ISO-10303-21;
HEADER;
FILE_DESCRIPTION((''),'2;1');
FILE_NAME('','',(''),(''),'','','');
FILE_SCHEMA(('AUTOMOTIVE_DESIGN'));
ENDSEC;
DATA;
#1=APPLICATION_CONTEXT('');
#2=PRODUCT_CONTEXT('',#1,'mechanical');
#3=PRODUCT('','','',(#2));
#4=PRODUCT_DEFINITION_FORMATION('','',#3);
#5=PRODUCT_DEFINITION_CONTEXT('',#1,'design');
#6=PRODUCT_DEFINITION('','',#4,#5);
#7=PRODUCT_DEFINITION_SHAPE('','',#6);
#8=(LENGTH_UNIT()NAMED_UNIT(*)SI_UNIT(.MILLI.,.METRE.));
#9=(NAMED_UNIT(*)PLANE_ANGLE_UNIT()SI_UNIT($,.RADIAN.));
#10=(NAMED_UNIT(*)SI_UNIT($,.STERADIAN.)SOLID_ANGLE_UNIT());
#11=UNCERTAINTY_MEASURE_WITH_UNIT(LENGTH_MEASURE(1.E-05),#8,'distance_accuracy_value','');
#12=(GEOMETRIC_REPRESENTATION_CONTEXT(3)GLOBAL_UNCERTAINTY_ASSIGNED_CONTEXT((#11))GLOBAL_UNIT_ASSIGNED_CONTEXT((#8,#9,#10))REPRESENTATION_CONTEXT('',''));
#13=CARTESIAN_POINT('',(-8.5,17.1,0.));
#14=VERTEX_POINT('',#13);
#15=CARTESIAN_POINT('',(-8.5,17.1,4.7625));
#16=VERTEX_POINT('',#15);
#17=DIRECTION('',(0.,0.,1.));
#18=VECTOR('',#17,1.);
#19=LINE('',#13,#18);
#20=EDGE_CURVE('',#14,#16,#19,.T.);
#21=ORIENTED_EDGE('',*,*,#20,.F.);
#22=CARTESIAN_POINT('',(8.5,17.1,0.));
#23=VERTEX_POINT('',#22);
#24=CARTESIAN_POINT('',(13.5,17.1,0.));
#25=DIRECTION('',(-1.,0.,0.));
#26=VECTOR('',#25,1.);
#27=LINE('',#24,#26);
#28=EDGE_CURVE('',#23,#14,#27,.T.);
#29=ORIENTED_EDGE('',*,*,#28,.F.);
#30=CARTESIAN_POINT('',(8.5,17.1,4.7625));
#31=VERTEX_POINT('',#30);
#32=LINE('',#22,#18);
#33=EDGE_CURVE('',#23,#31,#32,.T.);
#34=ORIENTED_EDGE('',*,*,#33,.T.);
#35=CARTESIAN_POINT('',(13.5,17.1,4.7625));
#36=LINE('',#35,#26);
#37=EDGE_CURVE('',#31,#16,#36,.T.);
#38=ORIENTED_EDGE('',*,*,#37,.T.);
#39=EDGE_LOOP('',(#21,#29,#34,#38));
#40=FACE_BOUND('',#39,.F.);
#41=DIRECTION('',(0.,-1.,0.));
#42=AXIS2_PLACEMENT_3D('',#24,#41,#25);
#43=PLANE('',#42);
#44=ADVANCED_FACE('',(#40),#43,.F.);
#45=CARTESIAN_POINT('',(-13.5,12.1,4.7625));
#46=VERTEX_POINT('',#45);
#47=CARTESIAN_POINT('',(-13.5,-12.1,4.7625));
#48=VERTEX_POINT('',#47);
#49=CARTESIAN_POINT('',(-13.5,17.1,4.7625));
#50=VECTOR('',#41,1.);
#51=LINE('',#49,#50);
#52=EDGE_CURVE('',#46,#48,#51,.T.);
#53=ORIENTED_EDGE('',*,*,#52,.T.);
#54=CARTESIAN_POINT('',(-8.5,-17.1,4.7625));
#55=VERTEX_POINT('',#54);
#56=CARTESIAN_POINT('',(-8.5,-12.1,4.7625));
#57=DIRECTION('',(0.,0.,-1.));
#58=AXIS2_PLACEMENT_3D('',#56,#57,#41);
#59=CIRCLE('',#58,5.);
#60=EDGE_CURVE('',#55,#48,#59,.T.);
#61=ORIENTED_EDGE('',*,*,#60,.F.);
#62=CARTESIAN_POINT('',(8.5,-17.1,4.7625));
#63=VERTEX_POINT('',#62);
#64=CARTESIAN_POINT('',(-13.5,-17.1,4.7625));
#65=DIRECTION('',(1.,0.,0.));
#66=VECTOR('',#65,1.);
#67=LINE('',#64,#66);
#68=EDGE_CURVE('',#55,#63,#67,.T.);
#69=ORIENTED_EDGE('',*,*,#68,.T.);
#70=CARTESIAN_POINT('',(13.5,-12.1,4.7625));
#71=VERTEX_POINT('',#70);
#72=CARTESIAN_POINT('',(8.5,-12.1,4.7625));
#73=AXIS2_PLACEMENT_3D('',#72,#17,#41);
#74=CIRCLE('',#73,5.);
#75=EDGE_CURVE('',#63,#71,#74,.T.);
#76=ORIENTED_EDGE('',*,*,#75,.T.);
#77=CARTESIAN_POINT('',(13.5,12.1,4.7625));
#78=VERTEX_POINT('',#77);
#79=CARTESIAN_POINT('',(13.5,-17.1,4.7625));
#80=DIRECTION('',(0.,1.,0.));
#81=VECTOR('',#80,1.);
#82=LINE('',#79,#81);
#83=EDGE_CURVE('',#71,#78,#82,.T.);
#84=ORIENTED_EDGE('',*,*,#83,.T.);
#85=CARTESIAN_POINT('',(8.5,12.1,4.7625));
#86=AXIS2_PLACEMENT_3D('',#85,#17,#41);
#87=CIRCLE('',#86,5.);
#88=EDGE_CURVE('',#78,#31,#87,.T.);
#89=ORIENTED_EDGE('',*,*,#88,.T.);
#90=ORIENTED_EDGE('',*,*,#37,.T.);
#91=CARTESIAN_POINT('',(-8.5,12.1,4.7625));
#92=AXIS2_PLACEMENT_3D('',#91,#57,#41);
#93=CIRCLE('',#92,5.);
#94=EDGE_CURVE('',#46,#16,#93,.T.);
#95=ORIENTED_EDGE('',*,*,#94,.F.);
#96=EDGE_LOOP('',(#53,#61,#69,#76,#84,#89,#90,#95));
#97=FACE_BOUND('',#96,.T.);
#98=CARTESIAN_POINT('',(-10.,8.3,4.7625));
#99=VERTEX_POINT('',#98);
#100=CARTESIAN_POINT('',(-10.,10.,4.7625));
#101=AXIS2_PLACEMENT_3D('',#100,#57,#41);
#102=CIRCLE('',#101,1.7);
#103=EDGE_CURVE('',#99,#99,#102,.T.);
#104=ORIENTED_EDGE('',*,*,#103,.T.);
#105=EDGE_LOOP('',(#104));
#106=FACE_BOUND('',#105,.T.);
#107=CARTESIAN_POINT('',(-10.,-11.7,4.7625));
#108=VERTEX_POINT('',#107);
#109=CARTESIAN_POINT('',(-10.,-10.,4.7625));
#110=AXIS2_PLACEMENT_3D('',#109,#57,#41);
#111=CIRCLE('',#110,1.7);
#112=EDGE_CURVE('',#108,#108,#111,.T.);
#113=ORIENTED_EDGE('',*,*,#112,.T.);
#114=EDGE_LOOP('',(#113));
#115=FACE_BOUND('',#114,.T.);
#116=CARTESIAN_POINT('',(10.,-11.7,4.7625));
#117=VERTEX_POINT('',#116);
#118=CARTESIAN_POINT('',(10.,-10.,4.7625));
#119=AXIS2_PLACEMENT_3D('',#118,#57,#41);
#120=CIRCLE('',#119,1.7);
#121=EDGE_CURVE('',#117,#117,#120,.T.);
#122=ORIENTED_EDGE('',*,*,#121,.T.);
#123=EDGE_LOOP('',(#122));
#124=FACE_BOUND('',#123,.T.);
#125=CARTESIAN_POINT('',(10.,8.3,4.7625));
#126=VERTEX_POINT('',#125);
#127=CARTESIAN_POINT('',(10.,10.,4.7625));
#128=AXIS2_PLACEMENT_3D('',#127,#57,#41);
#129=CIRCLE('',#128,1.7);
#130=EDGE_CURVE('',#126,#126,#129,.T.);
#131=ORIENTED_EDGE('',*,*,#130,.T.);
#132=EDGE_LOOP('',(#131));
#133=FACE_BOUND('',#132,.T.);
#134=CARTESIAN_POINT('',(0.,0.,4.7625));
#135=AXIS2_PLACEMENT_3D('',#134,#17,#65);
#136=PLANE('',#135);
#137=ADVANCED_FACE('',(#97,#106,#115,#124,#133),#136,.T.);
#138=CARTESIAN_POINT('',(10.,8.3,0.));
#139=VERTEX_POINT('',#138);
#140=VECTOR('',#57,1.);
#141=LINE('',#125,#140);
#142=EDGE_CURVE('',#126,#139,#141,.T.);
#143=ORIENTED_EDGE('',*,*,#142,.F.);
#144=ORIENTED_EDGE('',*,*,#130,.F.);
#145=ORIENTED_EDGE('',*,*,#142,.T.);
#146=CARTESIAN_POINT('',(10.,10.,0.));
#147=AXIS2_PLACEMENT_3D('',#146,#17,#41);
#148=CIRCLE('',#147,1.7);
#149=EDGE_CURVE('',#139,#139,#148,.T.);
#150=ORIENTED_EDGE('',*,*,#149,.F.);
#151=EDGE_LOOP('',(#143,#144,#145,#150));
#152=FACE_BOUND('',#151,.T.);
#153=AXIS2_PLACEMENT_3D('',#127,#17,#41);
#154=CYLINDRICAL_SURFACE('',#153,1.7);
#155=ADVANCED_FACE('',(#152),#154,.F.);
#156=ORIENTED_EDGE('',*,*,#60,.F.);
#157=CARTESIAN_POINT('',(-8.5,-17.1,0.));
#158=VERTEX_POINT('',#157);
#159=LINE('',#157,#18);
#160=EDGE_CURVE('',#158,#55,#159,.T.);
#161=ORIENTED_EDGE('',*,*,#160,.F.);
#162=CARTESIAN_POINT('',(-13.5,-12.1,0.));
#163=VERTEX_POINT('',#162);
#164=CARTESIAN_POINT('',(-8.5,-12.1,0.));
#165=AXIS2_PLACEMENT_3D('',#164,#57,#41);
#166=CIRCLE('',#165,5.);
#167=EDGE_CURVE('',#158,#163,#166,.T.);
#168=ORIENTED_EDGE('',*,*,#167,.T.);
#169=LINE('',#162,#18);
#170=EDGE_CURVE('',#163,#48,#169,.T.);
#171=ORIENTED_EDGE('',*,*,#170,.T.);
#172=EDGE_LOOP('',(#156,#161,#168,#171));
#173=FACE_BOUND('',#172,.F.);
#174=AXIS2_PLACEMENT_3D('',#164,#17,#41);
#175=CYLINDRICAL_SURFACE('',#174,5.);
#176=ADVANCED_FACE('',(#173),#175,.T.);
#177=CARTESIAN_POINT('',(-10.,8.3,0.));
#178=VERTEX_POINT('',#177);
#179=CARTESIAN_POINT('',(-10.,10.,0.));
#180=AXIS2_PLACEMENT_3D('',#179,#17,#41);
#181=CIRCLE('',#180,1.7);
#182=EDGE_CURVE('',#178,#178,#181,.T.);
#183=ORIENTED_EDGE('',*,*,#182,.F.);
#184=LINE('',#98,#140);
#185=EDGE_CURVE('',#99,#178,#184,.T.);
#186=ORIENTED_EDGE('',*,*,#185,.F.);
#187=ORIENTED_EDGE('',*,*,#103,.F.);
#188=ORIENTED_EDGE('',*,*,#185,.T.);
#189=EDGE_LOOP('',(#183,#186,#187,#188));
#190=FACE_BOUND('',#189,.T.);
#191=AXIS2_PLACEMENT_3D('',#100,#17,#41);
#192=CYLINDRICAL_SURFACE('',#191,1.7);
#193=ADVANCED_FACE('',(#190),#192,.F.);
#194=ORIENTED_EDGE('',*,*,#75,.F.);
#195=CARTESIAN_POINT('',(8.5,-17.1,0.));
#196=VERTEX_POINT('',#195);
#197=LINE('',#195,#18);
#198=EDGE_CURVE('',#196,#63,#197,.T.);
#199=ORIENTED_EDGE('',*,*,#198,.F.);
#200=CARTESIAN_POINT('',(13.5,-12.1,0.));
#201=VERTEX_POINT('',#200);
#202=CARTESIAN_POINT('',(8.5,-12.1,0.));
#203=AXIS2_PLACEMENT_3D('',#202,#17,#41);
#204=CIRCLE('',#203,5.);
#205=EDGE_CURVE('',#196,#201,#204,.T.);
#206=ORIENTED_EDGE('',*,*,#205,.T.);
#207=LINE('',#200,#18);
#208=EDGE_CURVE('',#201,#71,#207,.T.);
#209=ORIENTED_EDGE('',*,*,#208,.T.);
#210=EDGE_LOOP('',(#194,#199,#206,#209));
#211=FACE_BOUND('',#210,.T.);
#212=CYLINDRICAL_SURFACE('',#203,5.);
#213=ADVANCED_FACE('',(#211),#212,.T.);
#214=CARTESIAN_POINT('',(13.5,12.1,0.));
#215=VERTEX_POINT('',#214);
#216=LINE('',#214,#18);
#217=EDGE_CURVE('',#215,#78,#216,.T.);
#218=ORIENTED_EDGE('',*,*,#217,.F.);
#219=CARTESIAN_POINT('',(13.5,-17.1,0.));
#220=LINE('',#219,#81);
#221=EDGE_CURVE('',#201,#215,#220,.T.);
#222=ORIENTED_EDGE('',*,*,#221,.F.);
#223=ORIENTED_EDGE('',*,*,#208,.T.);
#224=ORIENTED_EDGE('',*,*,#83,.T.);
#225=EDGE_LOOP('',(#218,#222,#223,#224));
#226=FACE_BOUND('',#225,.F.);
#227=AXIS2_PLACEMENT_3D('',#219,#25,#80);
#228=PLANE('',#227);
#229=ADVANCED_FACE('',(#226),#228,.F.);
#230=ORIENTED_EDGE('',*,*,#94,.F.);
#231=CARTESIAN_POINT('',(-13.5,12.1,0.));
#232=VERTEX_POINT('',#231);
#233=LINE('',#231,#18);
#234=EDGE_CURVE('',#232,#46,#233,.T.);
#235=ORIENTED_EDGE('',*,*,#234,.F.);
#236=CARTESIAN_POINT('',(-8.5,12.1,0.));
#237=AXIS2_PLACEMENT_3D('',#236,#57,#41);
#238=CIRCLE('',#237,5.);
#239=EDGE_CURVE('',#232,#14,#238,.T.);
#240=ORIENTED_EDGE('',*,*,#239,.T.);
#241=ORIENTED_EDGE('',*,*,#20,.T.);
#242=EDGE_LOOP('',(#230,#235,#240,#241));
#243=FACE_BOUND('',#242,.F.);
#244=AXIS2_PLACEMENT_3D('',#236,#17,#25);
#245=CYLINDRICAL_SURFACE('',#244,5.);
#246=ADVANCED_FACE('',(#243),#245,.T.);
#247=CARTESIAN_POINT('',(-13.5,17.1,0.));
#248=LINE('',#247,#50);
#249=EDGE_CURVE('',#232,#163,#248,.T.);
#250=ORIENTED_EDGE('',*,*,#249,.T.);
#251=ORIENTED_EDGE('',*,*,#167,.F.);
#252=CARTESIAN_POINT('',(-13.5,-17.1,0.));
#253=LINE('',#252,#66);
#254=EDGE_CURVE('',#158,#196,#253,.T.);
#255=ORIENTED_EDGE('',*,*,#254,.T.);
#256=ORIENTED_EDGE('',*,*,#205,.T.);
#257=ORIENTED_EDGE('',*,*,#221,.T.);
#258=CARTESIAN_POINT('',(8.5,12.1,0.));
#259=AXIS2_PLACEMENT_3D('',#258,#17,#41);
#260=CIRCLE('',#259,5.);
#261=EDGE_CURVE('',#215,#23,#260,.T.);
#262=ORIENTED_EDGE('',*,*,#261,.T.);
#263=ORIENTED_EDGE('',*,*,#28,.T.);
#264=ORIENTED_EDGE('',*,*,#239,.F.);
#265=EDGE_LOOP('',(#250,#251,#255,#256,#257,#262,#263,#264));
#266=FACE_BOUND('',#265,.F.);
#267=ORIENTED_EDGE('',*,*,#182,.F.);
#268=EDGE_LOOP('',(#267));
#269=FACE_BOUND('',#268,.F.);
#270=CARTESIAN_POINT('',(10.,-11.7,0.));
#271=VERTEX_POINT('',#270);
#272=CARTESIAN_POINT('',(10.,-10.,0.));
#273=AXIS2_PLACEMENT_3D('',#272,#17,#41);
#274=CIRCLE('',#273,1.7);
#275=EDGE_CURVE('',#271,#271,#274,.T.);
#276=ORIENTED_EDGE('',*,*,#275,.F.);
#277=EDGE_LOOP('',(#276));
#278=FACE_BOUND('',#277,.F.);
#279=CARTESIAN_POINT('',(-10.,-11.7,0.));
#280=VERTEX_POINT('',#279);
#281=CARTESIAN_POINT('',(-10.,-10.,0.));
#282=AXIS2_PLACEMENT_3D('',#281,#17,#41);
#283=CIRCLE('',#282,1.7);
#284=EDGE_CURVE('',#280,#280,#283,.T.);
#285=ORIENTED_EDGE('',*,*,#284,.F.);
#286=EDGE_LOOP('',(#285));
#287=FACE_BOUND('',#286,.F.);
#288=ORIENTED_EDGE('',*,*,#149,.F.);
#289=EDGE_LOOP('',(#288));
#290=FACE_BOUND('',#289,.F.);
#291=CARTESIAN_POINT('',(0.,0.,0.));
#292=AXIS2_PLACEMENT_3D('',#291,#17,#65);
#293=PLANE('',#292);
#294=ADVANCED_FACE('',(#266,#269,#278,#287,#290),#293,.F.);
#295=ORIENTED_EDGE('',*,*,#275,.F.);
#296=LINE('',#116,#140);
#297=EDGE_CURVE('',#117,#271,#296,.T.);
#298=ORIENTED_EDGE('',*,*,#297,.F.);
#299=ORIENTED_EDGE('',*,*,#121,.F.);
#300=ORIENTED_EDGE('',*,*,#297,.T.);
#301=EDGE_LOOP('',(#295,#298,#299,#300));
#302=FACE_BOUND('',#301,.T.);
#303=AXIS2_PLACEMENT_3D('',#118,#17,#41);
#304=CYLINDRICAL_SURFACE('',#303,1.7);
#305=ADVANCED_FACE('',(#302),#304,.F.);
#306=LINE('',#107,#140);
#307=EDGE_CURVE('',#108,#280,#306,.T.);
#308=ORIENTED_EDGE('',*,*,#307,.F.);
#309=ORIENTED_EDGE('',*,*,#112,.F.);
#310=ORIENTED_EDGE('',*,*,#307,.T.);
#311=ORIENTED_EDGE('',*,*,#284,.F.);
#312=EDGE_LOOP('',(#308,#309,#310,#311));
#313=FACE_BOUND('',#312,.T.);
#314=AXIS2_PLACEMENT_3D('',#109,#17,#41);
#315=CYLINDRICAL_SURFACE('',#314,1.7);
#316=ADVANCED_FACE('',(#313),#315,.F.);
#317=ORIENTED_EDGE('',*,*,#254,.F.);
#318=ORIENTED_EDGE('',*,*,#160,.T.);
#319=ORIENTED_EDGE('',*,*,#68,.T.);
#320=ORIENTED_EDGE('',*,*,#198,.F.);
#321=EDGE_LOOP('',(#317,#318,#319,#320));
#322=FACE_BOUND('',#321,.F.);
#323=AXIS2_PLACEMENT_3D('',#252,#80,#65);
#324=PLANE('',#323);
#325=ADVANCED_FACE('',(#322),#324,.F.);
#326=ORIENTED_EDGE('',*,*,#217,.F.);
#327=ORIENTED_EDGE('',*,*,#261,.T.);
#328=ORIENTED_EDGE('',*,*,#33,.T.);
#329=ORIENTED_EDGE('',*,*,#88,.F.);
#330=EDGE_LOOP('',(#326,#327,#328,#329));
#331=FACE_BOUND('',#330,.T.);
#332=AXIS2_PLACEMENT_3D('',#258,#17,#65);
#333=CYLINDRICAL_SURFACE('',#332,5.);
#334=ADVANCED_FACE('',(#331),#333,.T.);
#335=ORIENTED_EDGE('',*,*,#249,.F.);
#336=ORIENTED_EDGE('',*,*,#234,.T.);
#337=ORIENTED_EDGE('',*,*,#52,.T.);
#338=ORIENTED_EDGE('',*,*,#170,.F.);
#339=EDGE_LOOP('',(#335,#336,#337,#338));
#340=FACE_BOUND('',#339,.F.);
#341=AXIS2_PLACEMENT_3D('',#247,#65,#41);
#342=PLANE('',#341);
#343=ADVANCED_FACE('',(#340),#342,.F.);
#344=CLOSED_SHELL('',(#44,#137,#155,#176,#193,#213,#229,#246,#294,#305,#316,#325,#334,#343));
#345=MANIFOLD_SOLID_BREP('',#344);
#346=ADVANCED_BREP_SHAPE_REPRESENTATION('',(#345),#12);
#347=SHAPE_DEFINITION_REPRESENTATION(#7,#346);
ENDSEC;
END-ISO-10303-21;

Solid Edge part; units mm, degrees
sketch "Sketch1" plane through (0, 0, 0) normal (0, 0, 1) x (1, 0, 0)
  line L0 (-13.5, -17.1) -> (13.5, -17.1)
  line L1 (13.5, -17.1) -> (13.5, 17.1)
  line L2 (13.5, 17.1) -> (-13.5, 17.1)
  line L3 (-13.5, 17.1) -> (-13.5, -17.1)
  dimension "D1" = 20
  dimension "D2" = 34.2
  dimension "D3" = 27
extrude "Protrusion1" add sketch "Sketch1" along normal blind 4.7625
hole "Hole_1" at (-10, 10, 4.7625) direction (0, 0, -1) diameter 3.4 end up to next
pattern_linear "Pattern1" count 2 spacing 20 along (1, 0, 0) count 2 spacing 20 along (0, -1, 0) of "Hole_1"
fillet "Round_1" radius 5 4 edges at (-13.5, -17.1, 2.3812) (13.5, -17.1, 2.3812) (13.5, 17.1, 2.3812) (-13.5, 17.1, 2.3812)
properties material "Aluminum, 6061-T6"
